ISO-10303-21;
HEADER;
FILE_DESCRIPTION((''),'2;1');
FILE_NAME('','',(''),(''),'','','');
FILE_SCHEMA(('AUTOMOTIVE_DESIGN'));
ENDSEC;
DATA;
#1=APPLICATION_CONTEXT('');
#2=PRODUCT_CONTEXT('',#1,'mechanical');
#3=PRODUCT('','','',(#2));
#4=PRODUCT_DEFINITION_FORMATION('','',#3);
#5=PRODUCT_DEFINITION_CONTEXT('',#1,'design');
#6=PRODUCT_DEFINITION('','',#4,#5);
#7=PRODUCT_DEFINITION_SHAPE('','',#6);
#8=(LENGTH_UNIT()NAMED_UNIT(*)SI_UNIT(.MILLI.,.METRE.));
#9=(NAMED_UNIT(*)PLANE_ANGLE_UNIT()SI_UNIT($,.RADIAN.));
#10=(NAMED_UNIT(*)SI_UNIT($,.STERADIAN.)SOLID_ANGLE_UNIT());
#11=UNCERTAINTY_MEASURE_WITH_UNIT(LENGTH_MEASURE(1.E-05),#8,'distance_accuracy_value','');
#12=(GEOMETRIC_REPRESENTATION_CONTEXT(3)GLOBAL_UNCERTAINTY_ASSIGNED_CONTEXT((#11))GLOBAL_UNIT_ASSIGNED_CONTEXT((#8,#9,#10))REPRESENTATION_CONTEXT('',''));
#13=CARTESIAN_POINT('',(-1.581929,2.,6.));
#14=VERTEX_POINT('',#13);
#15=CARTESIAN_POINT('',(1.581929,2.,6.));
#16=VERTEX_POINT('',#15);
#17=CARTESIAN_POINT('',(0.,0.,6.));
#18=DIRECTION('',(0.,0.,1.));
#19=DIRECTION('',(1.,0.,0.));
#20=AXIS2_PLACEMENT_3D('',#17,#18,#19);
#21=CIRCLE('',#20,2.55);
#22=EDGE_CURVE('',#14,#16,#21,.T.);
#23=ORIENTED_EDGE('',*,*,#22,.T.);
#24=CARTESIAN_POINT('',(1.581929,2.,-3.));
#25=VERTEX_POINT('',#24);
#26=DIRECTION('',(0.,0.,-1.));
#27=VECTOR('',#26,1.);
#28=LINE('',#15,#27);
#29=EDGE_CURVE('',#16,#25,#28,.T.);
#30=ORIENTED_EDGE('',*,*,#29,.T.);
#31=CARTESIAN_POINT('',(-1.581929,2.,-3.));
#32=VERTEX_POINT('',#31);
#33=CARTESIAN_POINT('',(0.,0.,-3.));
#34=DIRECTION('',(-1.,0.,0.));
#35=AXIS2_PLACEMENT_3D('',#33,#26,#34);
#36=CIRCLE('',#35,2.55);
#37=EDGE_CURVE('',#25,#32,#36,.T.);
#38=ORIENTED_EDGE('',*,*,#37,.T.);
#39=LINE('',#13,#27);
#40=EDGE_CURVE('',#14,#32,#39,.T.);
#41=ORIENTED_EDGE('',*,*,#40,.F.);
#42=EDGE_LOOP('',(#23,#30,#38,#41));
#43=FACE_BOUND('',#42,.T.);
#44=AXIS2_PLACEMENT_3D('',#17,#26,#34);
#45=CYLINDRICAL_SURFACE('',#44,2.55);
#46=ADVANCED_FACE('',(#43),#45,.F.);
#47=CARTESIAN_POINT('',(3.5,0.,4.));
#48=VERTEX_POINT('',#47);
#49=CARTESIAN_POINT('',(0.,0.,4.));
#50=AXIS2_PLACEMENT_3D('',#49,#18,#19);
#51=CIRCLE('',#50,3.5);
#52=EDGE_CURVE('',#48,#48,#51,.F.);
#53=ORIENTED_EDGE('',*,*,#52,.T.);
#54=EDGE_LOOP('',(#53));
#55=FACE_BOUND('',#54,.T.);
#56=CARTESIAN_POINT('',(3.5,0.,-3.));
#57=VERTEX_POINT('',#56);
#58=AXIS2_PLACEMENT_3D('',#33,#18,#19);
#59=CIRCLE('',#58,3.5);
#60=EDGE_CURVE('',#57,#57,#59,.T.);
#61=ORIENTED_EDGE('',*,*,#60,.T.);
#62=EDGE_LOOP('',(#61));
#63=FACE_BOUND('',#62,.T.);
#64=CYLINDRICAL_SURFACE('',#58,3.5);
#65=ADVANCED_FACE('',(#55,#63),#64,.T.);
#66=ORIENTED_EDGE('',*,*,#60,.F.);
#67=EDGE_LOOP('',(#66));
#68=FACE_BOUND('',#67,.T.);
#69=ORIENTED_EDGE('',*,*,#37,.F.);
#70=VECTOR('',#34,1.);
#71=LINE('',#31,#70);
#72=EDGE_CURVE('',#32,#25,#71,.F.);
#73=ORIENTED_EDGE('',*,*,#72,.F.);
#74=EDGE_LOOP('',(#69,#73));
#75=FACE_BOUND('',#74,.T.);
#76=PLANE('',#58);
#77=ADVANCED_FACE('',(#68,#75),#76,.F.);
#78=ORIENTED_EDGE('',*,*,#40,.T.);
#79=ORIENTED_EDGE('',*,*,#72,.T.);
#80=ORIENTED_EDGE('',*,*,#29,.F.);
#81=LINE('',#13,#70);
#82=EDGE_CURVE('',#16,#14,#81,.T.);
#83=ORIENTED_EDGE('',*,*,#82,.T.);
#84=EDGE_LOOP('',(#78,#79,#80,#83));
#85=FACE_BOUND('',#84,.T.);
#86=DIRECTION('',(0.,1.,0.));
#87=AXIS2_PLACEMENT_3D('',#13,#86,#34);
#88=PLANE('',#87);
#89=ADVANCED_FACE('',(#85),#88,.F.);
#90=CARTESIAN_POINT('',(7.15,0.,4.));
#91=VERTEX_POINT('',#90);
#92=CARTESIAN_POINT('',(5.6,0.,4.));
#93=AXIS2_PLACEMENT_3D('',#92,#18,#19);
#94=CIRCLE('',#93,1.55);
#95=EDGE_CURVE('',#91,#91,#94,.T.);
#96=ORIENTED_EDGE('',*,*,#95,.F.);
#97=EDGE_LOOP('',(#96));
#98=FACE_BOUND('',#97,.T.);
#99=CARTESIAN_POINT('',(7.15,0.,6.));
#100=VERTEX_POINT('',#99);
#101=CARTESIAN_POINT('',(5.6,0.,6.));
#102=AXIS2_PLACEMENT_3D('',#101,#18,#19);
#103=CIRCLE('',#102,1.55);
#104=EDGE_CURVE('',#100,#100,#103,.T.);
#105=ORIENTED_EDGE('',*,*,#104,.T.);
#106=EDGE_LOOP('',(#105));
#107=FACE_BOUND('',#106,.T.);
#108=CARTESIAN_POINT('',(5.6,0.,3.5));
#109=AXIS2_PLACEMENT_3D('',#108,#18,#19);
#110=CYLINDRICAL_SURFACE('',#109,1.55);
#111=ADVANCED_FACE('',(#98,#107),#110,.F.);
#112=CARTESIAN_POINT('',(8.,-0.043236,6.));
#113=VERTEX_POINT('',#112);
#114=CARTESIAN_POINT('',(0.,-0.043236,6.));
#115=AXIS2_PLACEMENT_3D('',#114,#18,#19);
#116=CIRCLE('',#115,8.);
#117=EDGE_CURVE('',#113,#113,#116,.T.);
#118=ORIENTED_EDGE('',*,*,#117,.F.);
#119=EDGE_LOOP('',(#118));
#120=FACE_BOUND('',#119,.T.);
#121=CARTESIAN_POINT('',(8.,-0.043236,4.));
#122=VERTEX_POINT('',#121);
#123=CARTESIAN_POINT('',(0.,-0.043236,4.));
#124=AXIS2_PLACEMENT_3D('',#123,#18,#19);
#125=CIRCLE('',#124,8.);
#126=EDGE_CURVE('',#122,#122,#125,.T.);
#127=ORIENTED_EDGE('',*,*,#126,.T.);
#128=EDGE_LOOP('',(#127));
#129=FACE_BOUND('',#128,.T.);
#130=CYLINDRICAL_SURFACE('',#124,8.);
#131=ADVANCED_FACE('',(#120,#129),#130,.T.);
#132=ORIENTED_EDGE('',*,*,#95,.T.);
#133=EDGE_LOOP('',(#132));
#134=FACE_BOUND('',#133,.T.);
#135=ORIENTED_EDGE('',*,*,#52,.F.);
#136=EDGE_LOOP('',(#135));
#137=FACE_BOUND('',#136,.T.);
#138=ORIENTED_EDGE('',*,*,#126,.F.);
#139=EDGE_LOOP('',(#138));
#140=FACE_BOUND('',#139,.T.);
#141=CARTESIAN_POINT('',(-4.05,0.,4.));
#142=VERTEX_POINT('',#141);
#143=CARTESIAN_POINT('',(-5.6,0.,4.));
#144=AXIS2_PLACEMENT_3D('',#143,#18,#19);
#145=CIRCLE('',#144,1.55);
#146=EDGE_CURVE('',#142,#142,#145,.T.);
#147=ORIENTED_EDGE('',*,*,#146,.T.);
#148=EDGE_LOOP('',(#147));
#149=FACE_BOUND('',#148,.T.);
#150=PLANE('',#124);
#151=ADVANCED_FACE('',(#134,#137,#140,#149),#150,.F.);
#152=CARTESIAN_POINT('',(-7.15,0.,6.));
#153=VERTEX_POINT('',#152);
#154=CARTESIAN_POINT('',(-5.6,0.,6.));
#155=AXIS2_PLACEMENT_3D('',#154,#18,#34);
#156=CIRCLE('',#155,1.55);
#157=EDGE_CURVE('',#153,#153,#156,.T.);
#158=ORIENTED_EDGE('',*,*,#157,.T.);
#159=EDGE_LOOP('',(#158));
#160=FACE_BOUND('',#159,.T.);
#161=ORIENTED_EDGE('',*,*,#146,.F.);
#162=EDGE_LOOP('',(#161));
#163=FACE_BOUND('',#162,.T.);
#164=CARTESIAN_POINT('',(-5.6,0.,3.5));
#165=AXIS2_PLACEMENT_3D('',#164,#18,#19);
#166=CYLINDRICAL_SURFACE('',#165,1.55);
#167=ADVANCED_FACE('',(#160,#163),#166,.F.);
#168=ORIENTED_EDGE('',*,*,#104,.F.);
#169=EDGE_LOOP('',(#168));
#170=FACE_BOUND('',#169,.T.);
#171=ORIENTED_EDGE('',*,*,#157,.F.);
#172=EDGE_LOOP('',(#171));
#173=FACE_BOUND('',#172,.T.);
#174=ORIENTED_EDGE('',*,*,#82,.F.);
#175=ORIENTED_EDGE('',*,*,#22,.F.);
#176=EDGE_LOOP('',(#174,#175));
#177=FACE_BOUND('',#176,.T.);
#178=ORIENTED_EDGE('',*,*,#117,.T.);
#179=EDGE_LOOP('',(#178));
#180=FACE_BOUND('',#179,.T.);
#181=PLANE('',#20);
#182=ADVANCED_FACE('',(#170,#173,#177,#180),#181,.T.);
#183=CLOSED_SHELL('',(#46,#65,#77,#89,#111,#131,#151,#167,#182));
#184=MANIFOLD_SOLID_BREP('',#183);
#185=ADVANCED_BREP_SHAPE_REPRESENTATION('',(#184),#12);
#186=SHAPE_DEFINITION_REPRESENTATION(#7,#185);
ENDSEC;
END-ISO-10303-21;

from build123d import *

# Parameters (mm, degrees)
EXTRUDE_1_DEPTH          = 6
EXTRUDE_1_DEPTH_BACK     = 3
SKETCH_1_R               = 3.5
CUT_EXTRUDE_1_DEPTH      = 11.271319292
CUT_EXTRUDE_1_DEPTH_BACK = 11.271319292
SKETCH_3_R               = 8
EXTRUDE_2_DEPTH          = 2
CUT_EXTRUDE_2_DEPTH      = 15.480802494
SKETCH_5_R               = 1.55
CUT_EXTRUDE_3_DEPTH      = 2.5


with BuildPart() as part:
    # 草图1 → 凸台-拉伸1 (new, two sides: drawn at the far end of the back side and taken through both)
    with BuildSketch(Plane.XY.offset(-EXTRUDE_1_DEPTH_BACK)):
        Circle(SKETCH_1_R)
    extrude(amount=EXTRUDE_1_DEPTH + EXTRUDE_1_DEPTH_BACK)

    # 草图2 → 切除-拉伸1 (cut, two sides: drawn at the far end of the back side and taken through both)
    with BuildSketch(Plane(origin=(0, 0, -3), x_dir=(-1, 0, 0), z_dir=(0, 0, -1)).offset(-CUT_EXTRUDE_1_DEPTH_BACK)):
        with BuildLine():
            Line((1.581929202, 2), (-1.581929202, 2))
            ThreePointArc((-1.581929202, 2), (0, -2.55), (1.581929202, 2))
        make_face()
    extrude(amount=CUT_EXTRUDE_1_DEPTH + CUT_EXTRUDE_1_DEPTH_BACK, mode=Mode.SUBTRACT)

    # 草图3 → 凸台-拉伸2 (add)
    with BuildSketch(Plane.XY.offset(6)):
        with Locations((0, -0.043235721)):
            Circle(SKETCH_3_R)
    extrude(amount=-EXTRUDE_2_DEPTH)

    # 草图4 → 切除-拉伸2 (cut, through all)
    with BuildSketch(Plane.XY.offset(6)):
        with BuildLine():
            Line((-1.581929202, 2), (1.581929202, 2))
            ThreePointArc((1.581929202, 2), (0, -2.55), (-1.581929202, 2))
        make_face()
    extrude(amount=-CUT_EXTRUDE_2_DEPTH, mode=Mode.SUBTRACT)

    # 草图5 → 切除-拉伸3 (cut)
    with BuildSketch(Plane.XY.offset(6)):
        with Locations((5.6, 0)):
            Circle(SKETCH_5_R)
        with Locations((-5.6, 0)):
            Circle(SKETCH_5_R)
    extrude(amount=-CUT_EXTRUDE_3_DEPTH, mode=Mode.SUBTRACT)


solid = part.part
